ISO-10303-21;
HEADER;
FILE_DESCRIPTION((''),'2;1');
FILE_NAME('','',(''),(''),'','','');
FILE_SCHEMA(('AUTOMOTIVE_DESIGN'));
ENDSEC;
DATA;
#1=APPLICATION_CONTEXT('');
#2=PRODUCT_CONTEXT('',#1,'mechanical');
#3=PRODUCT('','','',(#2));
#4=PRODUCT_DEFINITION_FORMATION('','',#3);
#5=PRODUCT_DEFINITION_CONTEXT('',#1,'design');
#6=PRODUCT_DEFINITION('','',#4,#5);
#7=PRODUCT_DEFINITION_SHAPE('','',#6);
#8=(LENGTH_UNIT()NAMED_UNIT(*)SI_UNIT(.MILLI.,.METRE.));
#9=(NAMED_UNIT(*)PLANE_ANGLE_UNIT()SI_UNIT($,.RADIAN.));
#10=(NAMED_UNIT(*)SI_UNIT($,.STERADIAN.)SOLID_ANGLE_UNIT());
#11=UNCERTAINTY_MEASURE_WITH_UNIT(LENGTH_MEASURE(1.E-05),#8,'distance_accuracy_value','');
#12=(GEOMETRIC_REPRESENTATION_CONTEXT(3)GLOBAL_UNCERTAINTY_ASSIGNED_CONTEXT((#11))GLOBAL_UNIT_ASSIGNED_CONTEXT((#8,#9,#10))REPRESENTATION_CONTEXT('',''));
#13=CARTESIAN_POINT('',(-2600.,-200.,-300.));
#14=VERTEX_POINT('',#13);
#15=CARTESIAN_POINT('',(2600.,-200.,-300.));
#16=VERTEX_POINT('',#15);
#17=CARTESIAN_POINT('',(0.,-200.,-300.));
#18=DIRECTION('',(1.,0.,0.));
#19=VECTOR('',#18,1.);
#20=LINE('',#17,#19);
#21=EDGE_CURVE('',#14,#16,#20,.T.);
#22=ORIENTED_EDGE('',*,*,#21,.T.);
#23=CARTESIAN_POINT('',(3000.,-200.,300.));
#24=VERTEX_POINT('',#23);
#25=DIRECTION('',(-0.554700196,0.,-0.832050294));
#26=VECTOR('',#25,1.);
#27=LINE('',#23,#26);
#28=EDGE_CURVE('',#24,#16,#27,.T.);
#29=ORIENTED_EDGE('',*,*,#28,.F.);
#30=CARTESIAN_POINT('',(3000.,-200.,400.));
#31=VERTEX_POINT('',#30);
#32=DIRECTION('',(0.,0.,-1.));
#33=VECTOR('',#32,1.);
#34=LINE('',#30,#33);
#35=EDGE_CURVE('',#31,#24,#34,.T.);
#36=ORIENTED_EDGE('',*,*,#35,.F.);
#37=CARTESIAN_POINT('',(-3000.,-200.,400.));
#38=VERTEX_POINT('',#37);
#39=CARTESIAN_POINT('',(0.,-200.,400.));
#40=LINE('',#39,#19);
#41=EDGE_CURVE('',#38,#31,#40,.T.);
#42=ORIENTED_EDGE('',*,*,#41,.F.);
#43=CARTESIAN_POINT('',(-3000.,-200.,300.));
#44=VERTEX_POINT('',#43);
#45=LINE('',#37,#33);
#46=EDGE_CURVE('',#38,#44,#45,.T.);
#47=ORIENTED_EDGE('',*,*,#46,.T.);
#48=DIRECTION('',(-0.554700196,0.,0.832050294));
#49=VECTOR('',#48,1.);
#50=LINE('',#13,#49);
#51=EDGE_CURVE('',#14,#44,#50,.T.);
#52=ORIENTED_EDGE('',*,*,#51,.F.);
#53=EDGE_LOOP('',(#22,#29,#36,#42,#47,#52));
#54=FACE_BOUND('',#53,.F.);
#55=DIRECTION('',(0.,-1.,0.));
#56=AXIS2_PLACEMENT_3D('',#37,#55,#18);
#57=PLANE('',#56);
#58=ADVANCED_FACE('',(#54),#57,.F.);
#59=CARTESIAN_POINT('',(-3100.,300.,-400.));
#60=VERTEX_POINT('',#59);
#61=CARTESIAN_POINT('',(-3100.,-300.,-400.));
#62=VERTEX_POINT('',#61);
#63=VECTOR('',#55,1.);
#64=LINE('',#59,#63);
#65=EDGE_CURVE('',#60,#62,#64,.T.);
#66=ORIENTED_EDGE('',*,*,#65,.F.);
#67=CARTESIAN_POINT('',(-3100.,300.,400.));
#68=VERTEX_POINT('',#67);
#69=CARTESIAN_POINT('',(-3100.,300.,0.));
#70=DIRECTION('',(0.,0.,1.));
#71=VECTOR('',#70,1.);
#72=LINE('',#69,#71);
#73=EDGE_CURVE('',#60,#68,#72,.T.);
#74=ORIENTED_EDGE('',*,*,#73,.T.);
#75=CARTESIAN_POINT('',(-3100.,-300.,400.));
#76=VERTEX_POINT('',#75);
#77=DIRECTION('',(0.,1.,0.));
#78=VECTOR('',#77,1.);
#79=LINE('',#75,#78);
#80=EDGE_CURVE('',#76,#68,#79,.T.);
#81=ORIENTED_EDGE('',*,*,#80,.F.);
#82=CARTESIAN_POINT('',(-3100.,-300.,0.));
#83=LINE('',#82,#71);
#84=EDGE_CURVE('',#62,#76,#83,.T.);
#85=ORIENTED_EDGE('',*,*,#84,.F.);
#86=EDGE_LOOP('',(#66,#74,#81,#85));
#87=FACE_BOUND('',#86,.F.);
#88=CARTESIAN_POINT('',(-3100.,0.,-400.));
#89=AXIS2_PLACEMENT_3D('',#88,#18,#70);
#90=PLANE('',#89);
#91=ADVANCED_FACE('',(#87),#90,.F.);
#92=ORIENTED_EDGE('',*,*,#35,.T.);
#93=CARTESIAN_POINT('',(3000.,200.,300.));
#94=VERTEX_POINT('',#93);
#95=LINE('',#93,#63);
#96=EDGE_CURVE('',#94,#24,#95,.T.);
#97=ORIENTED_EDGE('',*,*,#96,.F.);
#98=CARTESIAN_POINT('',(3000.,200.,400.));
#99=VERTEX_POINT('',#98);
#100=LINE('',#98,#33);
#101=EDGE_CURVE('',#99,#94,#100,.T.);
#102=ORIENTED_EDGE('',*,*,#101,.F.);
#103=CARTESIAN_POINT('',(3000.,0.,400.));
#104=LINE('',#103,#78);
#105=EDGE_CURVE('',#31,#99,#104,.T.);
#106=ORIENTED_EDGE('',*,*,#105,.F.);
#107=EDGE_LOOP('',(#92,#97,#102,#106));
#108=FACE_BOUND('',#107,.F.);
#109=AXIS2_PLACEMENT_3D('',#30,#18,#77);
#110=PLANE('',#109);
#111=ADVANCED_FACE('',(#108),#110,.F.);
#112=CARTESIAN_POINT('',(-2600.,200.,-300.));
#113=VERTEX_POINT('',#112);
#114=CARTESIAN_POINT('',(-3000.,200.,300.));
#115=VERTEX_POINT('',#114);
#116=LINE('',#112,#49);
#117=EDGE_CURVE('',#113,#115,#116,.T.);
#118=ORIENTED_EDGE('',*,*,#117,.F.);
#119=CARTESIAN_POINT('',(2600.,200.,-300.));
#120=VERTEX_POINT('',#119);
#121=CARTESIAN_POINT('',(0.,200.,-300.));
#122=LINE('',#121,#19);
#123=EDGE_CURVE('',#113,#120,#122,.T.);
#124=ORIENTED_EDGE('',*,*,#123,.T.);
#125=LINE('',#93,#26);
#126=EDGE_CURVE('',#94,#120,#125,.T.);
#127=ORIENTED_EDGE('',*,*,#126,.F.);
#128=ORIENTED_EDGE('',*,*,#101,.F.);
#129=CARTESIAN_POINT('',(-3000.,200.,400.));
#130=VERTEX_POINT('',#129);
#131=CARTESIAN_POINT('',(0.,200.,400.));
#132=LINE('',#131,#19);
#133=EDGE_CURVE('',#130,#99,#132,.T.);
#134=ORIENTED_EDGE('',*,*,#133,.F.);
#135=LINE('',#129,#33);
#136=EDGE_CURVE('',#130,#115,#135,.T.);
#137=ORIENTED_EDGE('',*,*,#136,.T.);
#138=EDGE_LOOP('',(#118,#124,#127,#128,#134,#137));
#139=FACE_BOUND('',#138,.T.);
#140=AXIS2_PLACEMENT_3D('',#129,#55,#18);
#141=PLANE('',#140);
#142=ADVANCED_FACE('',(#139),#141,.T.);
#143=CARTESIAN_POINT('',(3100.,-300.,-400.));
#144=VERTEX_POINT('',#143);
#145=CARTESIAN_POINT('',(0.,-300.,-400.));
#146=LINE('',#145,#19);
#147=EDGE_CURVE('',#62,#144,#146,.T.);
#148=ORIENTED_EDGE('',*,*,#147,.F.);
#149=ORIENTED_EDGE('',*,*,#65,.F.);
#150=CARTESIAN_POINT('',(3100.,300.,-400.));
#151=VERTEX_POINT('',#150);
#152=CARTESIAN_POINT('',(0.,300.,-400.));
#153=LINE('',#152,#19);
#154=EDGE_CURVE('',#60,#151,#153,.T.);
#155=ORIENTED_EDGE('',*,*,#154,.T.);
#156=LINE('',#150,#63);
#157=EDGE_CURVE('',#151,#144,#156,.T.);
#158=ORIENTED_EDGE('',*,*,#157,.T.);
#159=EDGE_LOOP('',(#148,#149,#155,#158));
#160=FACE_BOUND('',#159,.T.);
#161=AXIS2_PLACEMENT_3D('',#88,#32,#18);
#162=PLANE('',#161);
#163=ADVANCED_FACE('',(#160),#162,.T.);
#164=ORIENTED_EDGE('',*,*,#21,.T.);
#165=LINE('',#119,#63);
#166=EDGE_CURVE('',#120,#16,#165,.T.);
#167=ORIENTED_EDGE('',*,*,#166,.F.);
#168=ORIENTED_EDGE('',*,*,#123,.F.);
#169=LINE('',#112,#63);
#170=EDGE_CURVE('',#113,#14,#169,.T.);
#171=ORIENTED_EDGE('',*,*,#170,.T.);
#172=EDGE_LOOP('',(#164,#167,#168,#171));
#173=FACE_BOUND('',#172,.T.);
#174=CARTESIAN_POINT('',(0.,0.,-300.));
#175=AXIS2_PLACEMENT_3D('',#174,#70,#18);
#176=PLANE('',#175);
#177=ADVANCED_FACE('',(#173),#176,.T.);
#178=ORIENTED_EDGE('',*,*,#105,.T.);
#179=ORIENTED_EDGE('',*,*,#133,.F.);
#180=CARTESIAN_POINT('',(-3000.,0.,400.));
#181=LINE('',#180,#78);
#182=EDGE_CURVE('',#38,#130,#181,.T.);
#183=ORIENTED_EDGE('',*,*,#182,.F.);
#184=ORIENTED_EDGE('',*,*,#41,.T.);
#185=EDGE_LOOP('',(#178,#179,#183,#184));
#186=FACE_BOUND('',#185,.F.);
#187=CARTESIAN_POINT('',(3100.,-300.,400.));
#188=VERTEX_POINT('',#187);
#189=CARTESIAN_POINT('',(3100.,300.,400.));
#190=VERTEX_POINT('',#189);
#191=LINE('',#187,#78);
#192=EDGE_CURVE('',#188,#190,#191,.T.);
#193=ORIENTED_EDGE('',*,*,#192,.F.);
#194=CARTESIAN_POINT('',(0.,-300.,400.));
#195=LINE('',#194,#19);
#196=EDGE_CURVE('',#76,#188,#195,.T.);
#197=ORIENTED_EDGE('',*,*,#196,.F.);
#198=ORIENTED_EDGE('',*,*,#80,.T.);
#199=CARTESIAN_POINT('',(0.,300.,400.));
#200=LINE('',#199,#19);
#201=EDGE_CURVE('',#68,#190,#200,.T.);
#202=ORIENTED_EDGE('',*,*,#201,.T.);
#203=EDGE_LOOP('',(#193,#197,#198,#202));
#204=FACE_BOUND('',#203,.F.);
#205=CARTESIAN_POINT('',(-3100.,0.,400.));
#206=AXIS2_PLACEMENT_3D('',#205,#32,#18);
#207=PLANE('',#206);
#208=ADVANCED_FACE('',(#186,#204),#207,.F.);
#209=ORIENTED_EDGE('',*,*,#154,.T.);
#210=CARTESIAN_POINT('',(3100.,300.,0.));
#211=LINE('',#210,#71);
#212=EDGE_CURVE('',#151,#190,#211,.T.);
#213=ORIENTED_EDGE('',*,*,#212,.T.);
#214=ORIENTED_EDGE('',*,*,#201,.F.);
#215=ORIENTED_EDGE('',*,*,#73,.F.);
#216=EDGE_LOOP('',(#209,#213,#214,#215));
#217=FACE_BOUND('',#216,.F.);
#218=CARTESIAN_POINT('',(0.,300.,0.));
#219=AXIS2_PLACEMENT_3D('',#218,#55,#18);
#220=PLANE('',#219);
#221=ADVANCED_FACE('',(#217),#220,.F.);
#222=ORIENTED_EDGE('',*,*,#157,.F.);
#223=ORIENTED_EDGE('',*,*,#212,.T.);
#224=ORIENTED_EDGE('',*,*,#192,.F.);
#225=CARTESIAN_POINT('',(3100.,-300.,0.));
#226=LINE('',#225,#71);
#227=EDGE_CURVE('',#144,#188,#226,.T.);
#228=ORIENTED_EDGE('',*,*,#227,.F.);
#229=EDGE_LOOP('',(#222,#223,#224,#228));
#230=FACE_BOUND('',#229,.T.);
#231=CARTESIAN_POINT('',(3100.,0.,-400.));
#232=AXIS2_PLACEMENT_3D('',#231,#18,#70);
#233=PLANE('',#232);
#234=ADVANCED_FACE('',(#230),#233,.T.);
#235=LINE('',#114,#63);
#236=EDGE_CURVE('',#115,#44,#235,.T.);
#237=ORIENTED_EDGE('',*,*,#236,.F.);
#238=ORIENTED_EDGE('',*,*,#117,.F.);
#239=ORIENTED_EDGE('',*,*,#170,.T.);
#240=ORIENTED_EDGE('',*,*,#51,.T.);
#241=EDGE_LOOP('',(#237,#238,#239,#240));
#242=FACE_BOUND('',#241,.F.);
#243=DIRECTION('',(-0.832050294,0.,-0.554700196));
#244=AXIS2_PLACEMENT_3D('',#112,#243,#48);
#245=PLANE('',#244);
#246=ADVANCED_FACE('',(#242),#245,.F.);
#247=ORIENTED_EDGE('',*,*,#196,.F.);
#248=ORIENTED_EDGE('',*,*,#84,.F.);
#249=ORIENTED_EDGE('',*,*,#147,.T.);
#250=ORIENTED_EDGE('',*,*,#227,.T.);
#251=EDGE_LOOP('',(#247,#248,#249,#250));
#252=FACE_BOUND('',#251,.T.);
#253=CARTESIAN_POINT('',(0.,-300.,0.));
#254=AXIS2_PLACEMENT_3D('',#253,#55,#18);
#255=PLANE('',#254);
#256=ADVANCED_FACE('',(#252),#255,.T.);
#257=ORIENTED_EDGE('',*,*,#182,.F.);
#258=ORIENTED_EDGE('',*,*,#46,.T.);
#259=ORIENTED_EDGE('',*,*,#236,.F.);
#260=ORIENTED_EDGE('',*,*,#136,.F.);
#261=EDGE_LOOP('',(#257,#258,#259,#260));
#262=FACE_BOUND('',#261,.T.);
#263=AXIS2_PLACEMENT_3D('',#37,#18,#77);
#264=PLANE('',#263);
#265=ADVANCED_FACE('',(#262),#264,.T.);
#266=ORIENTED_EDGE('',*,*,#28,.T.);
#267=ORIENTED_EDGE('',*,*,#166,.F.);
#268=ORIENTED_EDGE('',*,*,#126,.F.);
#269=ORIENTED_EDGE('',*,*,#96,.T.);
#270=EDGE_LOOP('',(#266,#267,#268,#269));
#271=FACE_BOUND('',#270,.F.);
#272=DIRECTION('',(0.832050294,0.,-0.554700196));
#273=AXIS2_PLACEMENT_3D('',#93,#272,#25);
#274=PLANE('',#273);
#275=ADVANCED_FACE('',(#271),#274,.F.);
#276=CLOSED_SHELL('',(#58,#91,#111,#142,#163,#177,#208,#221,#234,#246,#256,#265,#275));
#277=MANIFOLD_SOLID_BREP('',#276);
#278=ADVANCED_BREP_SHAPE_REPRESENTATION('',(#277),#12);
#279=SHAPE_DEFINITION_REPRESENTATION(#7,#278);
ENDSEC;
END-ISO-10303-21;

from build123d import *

# Parameters (mm, degrees)
F0_W     = 6200
F0_H     = 800
F1_DEPTH = 300
F2_W     = 6000
F2_H     = 400
F3_DEPTH = 700
F5_DEPTH = 400
F7_DEPTH = 400


with BuildPart() as f1:
    # F0 (on Front) → F1 (new body, symmetric)
    with BuildSketch(Plane.XZ):
        Rectangle(F0_W, F0_H)
    extrude(amount=F1_DEPTH, both=True)

    # F2 (on face) → F3 (cut)
    with BuildSketch(Plane.XY.offset(400)):
        Rectangle(F2_W, F2_H)
    extrude(amount=-F3_DEPTH, mode=Mode.SUBTRACT)

    # F4 (on face) → F5 (join, through all)
    with BuildSketch(Plane.XZ.offset(-200)):
        Polygon((-2600, -300), (-3000, 300), (-3000, -300), align=None)
    extrude(amount=F5_DEPTH)

    # F6 (on face) → F7 (join, through all)
    with BuildSketch(Plane.XZ.offset(-200)):
        Polygon((3000, 300), (2600, -300), (3000, -300), align=None)
    extrude(amount=F7_DEPTH)


solid = f1.part
